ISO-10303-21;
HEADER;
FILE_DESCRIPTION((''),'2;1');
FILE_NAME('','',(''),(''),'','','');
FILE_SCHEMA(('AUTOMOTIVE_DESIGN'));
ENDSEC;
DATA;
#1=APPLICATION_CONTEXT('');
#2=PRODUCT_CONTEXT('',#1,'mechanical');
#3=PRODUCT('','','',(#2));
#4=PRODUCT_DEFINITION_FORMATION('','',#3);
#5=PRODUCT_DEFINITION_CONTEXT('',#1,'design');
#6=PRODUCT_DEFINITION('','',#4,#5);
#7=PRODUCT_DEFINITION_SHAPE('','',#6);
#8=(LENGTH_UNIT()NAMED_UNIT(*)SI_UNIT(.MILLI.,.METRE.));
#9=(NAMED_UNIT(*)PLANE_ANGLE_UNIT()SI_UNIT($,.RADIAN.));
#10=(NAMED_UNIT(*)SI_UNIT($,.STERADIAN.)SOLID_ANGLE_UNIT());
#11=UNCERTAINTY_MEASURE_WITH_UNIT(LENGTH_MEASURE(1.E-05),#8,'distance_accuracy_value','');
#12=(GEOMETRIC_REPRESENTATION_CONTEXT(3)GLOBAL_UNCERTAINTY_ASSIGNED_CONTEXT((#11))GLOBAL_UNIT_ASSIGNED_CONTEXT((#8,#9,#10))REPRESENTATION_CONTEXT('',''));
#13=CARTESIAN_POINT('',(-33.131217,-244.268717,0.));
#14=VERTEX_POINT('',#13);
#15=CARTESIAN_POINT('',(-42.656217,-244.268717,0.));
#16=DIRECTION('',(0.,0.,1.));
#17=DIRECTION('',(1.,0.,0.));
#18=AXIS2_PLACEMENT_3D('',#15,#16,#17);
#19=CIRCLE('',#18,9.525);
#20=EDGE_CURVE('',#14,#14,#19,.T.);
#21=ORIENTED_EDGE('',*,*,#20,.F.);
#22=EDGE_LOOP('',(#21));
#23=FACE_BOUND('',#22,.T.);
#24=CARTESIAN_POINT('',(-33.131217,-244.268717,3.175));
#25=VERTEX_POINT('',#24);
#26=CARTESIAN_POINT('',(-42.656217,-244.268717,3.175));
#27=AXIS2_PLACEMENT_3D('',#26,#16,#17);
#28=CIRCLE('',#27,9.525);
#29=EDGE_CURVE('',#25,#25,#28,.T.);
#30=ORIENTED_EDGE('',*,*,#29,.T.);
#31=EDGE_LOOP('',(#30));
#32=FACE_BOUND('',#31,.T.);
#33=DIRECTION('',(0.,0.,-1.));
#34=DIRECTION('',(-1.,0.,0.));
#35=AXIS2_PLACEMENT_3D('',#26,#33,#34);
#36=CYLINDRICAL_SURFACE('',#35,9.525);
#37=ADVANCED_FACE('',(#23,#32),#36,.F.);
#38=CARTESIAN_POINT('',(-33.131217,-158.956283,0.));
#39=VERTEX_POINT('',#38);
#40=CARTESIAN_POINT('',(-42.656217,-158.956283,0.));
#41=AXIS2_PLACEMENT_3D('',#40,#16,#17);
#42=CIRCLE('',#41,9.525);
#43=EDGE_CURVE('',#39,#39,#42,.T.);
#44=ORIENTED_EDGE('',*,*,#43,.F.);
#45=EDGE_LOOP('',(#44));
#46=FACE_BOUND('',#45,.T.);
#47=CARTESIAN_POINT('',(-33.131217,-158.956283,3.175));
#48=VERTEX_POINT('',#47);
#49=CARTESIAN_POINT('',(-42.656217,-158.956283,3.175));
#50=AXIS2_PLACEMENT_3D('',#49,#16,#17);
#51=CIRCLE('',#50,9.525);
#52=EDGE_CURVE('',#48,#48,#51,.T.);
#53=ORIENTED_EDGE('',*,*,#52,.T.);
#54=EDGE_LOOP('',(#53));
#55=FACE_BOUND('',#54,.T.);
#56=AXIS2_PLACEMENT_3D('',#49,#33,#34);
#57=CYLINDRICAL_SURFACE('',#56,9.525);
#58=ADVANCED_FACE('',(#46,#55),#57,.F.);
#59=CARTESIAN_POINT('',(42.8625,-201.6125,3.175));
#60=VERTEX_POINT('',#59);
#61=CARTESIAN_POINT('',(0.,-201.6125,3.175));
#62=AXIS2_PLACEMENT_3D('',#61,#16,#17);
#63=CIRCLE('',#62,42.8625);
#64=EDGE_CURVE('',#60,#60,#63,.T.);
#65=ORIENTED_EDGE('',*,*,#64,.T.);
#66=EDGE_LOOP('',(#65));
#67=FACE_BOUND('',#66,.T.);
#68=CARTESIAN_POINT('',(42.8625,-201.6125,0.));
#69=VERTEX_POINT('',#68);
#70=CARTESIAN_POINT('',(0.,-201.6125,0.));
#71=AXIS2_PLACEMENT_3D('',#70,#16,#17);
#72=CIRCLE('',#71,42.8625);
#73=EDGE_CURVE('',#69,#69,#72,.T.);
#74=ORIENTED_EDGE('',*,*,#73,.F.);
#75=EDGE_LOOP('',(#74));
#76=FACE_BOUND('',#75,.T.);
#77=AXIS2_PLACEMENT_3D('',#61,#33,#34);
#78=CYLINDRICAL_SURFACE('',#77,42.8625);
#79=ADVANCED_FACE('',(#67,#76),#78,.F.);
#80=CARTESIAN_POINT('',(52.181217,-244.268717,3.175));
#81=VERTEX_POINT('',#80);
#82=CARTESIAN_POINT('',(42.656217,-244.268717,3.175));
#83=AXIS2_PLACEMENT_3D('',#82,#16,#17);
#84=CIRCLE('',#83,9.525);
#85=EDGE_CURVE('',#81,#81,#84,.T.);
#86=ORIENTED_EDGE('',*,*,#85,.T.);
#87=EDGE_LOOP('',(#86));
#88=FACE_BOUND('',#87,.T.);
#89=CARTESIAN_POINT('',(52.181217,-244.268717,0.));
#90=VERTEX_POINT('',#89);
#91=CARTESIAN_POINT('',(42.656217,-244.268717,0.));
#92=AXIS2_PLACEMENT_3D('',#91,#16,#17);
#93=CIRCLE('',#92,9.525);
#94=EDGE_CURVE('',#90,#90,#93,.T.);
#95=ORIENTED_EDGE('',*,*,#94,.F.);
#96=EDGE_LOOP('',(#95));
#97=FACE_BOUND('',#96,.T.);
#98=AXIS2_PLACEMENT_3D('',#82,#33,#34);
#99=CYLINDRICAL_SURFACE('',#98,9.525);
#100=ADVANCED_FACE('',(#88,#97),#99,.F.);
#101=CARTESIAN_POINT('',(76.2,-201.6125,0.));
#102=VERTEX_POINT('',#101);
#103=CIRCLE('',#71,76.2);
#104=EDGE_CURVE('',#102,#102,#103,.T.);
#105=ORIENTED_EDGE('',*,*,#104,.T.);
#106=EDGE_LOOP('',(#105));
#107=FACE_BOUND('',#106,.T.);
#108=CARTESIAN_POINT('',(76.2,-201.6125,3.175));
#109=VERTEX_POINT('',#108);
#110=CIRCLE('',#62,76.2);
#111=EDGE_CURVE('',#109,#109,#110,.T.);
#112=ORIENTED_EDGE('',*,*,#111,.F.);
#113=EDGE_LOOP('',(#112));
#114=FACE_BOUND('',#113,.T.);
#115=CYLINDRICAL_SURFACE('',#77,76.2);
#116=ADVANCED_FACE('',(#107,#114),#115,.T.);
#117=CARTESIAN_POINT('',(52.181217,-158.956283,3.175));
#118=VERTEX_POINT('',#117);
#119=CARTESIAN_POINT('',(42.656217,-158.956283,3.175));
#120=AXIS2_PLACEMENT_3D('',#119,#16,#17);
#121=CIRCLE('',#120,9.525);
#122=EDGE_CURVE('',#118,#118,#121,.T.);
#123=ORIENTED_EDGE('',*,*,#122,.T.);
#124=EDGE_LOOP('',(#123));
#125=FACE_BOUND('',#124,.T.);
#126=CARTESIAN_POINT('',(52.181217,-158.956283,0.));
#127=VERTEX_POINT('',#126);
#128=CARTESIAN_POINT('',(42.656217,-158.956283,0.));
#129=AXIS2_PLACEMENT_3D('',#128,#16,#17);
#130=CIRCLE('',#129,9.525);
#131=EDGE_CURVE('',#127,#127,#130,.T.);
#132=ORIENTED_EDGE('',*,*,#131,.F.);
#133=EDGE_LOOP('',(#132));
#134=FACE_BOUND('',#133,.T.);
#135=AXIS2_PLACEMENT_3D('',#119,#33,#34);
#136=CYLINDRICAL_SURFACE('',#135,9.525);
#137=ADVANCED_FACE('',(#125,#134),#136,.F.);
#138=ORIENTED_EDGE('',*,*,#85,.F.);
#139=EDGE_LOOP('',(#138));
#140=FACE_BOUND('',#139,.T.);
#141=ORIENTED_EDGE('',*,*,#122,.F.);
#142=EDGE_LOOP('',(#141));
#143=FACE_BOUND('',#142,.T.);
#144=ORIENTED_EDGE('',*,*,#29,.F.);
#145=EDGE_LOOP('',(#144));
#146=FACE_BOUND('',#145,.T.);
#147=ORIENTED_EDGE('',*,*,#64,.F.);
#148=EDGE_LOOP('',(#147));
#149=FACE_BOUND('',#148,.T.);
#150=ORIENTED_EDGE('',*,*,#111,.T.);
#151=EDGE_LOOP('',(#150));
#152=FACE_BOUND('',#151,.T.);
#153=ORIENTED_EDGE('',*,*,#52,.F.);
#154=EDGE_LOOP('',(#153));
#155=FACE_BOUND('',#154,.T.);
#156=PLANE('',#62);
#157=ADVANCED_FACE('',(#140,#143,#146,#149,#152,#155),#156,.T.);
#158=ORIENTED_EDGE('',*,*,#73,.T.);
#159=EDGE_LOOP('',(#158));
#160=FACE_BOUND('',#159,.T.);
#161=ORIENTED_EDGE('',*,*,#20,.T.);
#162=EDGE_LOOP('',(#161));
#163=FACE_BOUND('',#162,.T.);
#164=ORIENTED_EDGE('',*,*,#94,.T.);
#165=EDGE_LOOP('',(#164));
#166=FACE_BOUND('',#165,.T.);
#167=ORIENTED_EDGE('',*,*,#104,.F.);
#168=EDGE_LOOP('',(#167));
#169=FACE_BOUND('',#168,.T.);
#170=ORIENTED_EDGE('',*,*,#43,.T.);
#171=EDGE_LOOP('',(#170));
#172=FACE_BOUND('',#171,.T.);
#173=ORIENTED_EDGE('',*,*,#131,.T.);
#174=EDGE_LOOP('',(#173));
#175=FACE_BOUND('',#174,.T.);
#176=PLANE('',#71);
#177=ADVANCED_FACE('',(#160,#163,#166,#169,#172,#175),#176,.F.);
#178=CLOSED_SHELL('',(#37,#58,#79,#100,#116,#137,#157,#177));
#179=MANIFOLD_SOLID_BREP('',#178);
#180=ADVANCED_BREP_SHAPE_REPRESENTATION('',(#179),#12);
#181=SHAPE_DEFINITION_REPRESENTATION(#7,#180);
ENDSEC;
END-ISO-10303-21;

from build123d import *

# Parameters (mm, degrees)
SKETCH1_R      = 76.2
SKETCH1_R_2    = 42.8625
SKETCH1_R_3    = 9.525
EXTRUDE1_DEPTH = 3.175


with BuildPart() as part:
    # Sketch1 → Extrude1 (new body)
    with BuildSketch(Plane.XY):
        with Locations((0, -201.6125)):
            Circle(SKETCH1_R)
        with Locations((0, -201.6125)):
            Circle(SKETCH1_R_2, mode=Mode.SUBTRACT)
        with Locations((42.656216575, -244.268716575)):
            Circle(SKETCH1_R_3, mode=Mode.SUBTRACT)
        with Locations((-42.656216575, -244.268716575)):
            Circle(SKETCH1_R_3, mode=Mode.SUBTRACT)
        with Locations((-42.656216575, -158.956283425)):
            Circle(SKETCH1_R_3, mode=Mode.SUBTRACT)
        with Locations((42.656216575, -158.956283425)):
            Circle(SKETCH1_R_3, mode=Mode.SUBTRACT)
    extrude(amount=EXTRUDE1_DEPTH)


solid = part.part
